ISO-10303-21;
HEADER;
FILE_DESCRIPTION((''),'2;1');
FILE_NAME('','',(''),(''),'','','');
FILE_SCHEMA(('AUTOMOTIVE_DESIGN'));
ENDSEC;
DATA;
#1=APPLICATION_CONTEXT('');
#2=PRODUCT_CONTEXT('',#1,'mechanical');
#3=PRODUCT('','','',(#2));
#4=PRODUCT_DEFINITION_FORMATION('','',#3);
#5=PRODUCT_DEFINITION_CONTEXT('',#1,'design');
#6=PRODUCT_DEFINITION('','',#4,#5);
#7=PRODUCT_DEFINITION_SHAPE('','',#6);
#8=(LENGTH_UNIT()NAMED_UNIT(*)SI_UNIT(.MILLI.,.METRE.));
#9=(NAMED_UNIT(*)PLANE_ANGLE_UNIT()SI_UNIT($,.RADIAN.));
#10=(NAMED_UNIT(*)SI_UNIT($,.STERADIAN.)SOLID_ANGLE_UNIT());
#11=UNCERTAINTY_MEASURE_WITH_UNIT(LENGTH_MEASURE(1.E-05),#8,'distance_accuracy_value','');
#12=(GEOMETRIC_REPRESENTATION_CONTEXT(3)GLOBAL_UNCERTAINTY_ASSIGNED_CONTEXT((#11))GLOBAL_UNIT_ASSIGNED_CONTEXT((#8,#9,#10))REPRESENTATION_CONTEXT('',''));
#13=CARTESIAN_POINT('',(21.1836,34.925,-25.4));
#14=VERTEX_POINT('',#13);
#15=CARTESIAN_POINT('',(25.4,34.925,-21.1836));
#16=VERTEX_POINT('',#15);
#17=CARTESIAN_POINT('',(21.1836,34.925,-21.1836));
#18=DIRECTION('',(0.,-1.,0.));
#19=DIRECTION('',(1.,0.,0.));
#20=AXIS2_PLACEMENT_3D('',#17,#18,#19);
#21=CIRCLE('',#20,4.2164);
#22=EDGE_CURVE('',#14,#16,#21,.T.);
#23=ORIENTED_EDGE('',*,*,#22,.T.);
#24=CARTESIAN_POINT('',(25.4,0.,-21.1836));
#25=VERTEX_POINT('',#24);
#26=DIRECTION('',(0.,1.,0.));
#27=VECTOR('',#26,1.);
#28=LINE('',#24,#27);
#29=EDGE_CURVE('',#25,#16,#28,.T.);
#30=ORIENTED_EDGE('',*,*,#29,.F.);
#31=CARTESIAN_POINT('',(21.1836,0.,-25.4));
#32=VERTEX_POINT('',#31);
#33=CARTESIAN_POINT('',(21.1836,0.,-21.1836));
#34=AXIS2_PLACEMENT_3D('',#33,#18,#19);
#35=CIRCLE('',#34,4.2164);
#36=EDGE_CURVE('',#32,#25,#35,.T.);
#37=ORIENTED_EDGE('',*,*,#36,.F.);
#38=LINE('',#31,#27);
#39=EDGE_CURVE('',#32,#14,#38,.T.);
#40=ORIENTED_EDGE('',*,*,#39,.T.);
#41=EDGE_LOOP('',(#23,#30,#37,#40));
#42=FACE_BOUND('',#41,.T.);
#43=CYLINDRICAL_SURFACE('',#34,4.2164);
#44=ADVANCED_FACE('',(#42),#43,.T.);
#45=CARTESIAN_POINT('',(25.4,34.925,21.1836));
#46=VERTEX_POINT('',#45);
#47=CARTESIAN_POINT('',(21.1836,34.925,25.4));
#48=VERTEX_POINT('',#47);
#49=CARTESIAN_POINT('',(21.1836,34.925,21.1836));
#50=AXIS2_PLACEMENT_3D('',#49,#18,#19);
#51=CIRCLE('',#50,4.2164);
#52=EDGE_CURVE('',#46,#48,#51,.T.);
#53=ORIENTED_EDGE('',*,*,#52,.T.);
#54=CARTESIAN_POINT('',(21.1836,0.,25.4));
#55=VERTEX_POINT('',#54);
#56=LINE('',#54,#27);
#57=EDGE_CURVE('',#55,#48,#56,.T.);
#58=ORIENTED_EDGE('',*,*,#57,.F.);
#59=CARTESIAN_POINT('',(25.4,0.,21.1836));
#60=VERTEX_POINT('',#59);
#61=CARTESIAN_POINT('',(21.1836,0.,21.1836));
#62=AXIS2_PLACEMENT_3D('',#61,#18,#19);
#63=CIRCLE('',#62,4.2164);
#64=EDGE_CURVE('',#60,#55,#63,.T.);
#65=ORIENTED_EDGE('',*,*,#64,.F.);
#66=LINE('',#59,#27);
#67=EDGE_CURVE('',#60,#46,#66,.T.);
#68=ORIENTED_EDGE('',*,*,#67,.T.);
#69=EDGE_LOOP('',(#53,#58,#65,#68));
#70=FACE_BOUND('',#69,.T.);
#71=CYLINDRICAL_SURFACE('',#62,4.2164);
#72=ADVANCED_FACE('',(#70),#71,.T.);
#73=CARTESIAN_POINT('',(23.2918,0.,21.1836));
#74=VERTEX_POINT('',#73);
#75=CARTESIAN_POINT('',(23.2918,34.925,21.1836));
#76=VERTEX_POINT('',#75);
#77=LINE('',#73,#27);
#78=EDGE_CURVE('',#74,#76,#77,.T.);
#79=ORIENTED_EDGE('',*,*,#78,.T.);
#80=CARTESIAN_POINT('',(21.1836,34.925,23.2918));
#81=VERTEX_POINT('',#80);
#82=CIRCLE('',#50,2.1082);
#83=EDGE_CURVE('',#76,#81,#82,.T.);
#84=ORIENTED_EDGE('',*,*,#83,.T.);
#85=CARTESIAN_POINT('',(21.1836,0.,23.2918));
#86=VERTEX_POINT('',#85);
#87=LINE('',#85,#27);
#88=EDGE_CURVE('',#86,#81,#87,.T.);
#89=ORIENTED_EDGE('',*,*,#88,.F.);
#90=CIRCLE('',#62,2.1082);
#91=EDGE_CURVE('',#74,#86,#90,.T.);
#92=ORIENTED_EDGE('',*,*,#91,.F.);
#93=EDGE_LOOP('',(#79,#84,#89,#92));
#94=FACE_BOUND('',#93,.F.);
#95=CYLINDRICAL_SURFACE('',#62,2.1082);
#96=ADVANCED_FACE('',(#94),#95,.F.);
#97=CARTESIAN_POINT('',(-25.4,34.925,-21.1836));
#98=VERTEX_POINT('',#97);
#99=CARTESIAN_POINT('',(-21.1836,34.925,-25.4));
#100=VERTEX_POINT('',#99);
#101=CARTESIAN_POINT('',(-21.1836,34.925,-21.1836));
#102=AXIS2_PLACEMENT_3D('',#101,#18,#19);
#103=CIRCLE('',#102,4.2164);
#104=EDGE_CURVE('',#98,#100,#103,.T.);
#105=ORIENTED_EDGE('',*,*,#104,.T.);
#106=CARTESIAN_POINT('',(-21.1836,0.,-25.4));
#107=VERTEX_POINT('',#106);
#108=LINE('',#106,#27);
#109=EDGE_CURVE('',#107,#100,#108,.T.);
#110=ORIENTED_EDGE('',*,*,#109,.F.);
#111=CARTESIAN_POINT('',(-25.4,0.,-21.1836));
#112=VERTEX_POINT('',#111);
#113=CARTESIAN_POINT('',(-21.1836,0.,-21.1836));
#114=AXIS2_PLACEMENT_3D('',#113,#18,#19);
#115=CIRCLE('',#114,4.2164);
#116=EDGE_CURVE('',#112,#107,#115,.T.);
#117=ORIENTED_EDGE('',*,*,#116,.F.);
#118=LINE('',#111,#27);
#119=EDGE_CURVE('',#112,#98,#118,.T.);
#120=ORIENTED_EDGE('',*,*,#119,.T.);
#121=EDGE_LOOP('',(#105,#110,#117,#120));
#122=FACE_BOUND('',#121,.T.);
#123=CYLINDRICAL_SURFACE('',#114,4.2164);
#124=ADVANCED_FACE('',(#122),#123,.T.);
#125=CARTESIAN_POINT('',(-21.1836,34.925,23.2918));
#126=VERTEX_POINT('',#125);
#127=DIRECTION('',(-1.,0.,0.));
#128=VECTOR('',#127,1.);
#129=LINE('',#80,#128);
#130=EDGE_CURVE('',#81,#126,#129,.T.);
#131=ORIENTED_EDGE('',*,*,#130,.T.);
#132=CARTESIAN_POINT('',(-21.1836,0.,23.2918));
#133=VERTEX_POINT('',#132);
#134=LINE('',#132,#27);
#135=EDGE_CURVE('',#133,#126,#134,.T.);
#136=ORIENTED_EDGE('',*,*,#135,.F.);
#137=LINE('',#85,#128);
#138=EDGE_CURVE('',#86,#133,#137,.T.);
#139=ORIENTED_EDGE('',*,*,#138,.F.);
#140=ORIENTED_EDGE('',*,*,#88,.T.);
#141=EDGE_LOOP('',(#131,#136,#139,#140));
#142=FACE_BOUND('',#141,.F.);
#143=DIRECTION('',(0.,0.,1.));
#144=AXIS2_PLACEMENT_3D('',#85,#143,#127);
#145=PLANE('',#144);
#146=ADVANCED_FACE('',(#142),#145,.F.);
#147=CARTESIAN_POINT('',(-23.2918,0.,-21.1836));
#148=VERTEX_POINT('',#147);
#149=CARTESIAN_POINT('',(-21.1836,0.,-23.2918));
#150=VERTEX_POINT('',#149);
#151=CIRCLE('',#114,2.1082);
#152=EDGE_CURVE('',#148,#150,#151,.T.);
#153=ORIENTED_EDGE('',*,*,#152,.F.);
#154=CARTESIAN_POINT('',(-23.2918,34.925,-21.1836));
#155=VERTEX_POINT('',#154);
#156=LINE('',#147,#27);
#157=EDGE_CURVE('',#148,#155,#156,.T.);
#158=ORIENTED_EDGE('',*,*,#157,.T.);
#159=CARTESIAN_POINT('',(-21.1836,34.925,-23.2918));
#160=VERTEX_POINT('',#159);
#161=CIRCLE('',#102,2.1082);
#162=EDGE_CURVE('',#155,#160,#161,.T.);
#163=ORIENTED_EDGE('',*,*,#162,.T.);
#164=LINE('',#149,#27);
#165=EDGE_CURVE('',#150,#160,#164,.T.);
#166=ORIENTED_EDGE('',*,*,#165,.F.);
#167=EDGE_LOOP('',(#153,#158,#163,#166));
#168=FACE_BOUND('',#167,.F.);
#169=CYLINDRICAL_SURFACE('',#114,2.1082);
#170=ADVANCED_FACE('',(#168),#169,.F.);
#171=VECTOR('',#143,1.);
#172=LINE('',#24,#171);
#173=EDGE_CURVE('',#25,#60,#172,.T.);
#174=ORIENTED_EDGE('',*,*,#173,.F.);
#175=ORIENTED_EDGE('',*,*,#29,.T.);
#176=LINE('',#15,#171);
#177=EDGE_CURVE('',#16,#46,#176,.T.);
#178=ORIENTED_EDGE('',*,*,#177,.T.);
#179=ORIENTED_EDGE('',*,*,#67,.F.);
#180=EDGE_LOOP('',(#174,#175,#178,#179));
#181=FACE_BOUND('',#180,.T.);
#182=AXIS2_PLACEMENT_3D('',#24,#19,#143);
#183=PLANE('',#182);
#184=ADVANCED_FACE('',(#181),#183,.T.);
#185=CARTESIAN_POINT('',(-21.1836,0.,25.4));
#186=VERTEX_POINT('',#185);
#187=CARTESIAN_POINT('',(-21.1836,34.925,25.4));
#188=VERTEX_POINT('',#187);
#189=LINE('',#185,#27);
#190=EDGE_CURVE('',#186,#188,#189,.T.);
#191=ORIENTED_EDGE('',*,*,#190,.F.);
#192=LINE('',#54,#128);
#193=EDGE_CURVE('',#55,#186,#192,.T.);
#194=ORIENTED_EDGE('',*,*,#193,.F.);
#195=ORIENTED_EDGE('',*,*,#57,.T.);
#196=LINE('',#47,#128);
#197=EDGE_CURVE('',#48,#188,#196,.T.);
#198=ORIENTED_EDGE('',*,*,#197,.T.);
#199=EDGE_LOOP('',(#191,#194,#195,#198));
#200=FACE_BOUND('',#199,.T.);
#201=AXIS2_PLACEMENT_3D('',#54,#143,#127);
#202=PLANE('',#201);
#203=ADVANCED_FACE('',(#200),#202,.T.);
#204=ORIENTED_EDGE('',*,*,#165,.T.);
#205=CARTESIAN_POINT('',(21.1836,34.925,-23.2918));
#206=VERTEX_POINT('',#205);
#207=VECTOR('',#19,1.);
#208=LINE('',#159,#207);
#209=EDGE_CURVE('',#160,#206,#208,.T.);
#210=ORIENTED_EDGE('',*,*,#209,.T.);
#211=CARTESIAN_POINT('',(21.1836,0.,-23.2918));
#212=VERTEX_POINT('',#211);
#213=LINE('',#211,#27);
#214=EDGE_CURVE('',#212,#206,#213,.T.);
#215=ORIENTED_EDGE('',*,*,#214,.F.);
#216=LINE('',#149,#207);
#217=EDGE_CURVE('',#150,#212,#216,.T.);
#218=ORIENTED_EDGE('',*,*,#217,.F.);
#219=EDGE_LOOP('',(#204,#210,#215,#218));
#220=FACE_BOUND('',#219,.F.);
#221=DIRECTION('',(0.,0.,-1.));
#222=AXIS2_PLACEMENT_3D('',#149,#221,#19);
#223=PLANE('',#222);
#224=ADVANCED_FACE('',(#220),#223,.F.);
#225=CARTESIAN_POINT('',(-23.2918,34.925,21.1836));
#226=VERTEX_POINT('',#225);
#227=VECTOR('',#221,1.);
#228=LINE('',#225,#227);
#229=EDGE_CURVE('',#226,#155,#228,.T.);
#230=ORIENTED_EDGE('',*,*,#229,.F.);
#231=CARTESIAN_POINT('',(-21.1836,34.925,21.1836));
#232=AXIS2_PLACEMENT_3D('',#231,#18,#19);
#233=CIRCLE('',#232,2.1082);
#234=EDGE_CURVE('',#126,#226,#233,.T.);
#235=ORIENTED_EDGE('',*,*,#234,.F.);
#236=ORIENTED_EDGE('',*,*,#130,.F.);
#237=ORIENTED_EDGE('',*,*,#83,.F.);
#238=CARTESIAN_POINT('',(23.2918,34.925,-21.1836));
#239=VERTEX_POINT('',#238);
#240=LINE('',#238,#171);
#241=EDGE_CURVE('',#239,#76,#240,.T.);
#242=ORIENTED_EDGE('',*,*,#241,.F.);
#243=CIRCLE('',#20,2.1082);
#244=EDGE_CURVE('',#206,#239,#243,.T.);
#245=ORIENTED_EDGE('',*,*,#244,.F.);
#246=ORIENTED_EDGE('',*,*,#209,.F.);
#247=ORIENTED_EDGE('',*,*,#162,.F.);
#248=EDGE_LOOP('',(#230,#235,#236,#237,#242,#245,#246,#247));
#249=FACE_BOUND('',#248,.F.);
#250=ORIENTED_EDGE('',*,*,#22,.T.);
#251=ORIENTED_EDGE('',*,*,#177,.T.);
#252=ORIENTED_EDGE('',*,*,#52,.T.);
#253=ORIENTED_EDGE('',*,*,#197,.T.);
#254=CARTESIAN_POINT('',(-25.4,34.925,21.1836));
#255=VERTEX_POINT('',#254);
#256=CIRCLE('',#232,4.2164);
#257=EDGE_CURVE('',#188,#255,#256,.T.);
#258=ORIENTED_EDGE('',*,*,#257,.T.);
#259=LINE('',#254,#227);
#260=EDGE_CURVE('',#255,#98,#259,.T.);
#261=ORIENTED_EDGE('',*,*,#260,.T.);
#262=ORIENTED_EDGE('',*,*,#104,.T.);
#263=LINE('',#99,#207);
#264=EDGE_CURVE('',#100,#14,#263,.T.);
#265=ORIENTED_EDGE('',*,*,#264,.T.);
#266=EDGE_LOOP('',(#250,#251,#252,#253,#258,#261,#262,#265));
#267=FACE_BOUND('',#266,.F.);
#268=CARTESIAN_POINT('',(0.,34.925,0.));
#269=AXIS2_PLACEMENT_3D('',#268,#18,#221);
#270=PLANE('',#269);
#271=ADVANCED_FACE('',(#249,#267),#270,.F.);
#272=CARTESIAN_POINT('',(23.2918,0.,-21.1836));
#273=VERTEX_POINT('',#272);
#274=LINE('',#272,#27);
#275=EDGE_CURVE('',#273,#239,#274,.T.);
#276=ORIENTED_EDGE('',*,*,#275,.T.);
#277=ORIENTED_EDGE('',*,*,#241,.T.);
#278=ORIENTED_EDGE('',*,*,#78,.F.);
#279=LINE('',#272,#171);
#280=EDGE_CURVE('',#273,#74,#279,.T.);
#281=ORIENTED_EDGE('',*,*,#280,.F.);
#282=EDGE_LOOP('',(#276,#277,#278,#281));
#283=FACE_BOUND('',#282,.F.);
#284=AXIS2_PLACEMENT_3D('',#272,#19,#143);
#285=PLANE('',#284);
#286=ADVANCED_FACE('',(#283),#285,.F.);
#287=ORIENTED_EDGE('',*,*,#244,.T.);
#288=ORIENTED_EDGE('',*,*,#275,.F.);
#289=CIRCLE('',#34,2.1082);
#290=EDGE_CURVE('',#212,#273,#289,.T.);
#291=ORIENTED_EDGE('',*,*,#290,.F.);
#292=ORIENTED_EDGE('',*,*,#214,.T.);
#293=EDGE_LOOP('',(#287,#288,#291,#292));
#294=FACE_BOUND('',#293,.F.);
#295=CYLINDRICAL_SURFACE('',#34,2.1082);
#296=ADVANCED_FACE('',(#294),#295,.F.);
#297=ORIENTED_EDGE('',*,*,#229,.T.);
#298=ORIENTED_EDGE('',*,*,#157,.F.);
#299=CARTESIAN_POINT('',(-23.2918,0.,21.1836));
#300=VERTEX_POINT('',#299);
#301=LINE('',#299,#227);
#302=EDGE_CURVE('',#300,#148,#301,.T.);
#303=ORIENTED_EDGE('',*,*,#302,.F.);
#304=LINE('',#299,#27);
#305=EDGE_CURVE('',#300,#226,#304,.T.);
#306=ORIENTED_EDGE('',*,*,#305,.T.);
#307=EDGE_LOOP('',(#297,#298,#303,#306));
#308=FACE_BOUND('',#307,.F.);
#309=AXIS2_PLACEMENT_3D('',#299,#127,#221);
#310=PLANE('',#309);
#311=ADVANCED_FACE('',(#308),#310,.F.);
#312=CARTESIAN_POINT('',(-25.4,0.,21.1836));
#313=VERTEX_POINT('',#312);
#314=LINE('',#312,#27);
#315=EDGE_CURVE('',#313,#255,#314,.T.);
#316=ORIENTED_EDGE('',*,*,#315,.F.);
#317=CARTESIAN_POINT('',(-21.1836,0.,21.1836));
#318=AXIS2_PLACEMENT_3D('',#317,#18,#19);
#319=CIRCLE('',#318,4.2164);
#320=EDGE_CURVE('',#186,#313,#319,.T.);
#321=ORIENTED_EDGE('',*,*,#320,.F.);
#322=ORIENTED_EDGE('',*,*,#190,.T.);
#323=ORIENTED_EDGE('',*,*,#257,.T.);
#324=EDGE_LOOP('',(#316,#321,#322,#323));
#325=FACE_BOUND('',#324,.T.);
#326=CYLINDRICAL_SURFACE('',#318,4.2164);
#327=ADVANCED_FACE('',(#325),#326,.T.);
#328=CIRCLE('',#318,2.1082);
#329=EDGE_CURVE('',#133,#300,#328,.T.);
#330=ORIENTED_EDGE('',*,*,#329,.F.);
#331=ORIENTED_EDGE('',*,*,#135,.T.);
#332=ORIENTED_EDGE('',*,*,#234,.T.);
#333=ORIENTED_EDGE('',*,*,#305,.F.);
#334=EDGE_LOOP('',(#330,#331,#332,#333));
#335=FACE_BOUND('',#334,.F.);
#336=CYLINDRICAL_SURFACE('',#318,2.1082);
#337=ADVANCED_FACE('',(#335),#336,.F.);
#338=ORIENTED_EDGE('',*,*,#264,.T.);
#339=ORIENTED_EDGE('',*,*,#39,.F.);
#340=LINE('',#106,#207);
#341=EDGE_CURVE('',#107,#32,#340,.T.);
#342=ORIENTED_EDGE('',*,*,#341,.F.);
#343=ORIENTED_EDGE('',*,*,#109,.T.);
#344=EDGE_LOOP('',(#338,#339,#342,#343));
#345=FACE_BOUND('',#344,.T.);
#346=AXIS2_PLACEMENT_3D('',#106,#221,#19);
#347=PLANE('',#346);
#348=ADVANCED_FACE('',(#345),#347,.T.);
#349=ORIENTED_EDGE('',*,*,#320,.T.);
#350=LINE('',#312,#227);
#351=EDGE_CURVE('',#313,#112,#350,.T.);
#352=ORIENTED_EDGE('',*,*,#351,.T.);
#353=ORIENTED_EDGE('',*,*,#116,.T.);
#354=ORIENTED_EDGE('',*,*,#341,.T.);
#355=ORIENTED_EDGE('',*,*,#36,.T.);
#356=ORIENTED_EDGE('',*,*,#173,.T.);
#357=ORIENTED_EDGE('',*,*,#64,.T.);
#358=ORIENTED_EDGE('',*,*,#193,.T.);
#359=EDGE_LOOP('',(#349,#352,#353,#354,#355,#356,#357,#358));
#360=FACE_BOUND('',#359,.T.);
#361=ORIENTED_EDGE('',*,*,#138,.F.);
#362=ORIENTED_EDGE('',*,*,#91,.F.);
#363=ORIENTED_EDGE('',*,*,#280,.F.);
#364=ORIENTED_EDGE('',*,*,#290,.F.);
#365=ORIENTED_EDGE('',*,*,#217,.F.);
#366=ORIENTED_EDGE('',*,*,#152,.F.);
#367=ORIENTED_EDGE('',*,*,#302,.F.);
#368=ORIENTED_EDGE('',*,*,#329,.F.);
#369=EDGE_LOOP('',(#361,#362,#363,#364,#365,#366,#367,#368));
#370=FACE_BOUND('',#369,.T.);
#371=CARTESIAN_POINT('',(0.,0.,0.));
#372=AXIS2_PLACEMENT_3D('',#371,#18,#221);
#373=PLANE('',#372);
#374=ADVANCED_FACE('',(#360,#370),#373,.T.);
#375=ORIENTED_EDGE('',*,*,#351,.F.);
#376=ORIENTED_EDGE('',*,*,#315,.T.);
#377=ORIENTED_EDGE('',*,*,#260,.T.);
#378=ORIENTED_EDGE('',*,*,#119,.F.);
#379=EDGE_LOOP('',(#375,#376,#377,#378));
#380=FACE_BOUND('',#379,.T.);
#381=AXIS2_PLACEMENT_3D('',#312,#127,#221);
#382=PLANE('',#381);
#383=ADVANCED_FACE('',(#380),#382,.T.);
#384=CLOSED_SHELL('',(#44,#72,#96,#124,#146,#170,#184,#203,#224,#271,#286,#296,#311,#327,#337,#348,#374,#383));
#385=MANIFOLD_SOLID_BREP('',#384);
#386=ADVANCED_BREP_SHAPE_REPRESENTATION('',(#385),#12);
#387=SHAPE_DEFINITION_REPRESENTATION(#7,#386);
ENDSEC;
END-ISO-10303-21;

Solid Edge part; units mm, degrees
sketch "Sketch1" plane through (0, 0, 0) normal (0, -1, 0) x (1, 0, 0)
  arc A0 (-23.2918, -21.1836) -> (-21.1836, -23.2918) centre (-21.1836, -21.1836) ccw
  line L0 (-21.1836, -23.2918) -> (21.1836, -23.2918)
  arc A1 (21.1836, -23.2918) -> (23.2918, -21.1836) centre (21.1836, -21.1836) ccw
  line L1 (23.2918, -21.1836) -> (23.2918, 21.1836)
  arc A2 (23.2918, 21.1836) -> (21.1836, 23.2918) centre (21.1836, 21.1836) ccw
  line L2 (21.1836, 23.2918) -> (-21.1836, 23.2918)
  arc A3 (-21.1836, 23.2918) -> (-23.2918, 21.1836) centre (-21.1836, 21.1836) ccw
  line L3 (-23.2918, 21.1836) -> (-23.2918, -21.1836)
  arc A4 (-25.4, -21.1836) -> (-21.1836, -25.4) centre (-21.1836, -21.1836) ccw
  line L4 (-21.1836, -25.4) -> (21.1836, -25.4)
  arc A5 (21.1836, -25.4) -> (25.4, -21.1836) centre (21.1836, -21.1836) ccw
  line L5 (25.4, -21.1836) -> (25.4, 21.1836)
  arc A6 (25.4, 21.1836) -> (21.1836, 25.4) centre (21.1836, 21.1836) ccw
  line L6 (21.1836, 25.4) -> (-21.1836, 25.4)
  arc A7 (-21.1836, 25.4) -> (-25.4, 21.1836) centre (-21.1836, 21.1836) ccw
  line L7 (-25.4, 21.1836) -> (-25.4, -21.1836)
  dimension "D1" = 50.8
  dimension "D2" = 50.8
  dimension "D3" = 2.1082
  dimension "D4" = 2.1082
  dimension "D5" = 2.1082
  dimension "D6" = 2.1082
extrude "Protrusion1" add sketch "Sketch1" against normal blind 34.925
